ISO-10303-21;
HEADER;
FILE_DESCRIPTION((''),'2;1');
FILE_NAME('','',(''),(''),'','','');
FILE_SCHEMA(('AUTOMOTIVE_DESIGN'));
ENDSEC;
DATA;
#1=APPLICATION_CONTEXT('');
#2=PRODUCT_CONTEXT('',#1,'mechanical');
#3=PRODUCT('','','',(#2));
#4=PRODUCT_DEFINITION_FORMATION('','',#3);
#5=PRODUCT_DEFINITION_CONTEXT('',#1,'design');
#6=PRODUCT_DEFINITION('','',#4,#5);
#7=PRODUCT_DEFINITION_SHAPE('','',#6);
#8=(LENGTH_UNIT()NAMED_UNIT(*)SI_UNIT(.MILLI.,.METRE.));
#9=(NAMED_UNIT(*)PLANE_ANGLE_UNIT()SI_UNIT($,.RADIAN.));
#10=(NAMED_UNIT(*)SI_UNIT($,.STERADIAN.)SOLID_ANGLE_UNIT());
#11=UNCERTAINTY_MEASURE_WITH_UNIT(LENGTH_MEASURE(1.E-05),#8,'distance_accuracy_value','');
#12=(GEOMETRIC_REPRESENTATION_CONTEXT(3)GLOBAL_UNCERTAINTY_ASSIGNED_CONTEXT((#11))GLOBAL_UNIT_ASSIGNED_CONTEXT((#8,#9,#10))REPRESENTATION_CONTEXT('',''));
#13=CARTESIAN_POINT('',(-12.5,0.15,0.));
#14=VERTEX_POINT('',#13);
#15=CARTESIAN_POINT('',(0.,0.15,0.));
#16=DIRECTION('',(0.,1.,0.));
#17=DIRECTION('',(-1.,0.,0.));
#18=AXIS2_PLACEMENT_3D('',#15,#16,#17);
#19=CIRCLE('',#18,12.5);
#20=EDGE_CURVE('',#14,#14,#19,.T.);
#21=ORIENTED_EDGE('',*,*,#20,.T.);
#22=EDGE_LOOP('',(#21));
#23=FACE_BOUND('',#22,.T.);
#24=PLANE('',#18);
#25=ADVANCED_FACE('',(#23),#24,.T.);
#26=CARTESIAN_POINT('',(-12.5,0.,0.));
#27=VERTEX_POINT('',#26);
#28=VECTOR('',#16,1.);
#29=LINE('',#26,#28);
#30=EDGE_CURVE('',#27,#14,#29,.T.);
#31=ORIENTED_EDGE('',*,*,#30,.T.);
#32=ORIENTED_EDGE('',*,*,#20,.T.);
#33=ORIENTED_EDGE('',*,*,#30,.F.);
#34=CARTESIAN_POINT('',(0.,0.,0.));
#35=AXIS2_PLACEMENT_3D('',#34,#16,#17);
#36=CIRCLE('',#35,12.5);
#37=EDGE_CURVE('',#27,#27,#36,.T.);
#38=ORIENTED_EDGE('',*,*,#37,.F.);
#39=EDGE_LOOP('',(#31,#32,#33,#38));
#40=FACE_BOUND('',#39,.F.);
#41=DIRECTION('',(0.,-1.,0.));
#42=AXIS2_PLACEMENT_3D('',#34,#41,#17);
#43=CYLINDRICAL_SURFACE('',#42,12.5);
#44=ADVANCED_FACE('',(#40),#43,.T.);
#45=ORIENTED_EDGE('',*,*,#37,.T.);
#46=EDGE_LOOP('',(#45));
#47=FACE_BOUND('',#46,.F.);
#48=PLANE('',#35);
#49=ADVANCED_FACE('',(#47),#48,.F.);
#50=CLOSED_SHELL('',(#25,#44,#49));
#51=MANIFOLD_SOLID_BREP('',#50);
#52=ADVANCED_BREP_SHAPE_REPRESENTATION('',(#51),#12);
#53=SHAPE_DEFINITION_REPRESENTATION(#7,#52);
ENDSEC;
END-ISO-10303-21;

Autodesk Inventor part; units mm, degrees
ref_plane "YZ Plane" through (0, 0, 0) normal (1, 0, 0) x (0, 1, 0)
ref_plane "XZ Plane" through (0, 0, 0) normal (0, 1, 0) x (-1, 0, 0)
ref_plane "XY Plane" through (0, 0, 0) normal (0, 0, 1) x (1, 0, 0)
sketch "Skizze1" plane through (0, 0, 0) normal (0, 1, 0) x (-1, 0, 0)
  circle A0 centre (0, 0) radius 12.5
  dimension "d0" = 25
extrude "Extrusion1" add sketch "Skizze1" along normal blind 0.15
properties part number "00_Coverglass_25mm"
